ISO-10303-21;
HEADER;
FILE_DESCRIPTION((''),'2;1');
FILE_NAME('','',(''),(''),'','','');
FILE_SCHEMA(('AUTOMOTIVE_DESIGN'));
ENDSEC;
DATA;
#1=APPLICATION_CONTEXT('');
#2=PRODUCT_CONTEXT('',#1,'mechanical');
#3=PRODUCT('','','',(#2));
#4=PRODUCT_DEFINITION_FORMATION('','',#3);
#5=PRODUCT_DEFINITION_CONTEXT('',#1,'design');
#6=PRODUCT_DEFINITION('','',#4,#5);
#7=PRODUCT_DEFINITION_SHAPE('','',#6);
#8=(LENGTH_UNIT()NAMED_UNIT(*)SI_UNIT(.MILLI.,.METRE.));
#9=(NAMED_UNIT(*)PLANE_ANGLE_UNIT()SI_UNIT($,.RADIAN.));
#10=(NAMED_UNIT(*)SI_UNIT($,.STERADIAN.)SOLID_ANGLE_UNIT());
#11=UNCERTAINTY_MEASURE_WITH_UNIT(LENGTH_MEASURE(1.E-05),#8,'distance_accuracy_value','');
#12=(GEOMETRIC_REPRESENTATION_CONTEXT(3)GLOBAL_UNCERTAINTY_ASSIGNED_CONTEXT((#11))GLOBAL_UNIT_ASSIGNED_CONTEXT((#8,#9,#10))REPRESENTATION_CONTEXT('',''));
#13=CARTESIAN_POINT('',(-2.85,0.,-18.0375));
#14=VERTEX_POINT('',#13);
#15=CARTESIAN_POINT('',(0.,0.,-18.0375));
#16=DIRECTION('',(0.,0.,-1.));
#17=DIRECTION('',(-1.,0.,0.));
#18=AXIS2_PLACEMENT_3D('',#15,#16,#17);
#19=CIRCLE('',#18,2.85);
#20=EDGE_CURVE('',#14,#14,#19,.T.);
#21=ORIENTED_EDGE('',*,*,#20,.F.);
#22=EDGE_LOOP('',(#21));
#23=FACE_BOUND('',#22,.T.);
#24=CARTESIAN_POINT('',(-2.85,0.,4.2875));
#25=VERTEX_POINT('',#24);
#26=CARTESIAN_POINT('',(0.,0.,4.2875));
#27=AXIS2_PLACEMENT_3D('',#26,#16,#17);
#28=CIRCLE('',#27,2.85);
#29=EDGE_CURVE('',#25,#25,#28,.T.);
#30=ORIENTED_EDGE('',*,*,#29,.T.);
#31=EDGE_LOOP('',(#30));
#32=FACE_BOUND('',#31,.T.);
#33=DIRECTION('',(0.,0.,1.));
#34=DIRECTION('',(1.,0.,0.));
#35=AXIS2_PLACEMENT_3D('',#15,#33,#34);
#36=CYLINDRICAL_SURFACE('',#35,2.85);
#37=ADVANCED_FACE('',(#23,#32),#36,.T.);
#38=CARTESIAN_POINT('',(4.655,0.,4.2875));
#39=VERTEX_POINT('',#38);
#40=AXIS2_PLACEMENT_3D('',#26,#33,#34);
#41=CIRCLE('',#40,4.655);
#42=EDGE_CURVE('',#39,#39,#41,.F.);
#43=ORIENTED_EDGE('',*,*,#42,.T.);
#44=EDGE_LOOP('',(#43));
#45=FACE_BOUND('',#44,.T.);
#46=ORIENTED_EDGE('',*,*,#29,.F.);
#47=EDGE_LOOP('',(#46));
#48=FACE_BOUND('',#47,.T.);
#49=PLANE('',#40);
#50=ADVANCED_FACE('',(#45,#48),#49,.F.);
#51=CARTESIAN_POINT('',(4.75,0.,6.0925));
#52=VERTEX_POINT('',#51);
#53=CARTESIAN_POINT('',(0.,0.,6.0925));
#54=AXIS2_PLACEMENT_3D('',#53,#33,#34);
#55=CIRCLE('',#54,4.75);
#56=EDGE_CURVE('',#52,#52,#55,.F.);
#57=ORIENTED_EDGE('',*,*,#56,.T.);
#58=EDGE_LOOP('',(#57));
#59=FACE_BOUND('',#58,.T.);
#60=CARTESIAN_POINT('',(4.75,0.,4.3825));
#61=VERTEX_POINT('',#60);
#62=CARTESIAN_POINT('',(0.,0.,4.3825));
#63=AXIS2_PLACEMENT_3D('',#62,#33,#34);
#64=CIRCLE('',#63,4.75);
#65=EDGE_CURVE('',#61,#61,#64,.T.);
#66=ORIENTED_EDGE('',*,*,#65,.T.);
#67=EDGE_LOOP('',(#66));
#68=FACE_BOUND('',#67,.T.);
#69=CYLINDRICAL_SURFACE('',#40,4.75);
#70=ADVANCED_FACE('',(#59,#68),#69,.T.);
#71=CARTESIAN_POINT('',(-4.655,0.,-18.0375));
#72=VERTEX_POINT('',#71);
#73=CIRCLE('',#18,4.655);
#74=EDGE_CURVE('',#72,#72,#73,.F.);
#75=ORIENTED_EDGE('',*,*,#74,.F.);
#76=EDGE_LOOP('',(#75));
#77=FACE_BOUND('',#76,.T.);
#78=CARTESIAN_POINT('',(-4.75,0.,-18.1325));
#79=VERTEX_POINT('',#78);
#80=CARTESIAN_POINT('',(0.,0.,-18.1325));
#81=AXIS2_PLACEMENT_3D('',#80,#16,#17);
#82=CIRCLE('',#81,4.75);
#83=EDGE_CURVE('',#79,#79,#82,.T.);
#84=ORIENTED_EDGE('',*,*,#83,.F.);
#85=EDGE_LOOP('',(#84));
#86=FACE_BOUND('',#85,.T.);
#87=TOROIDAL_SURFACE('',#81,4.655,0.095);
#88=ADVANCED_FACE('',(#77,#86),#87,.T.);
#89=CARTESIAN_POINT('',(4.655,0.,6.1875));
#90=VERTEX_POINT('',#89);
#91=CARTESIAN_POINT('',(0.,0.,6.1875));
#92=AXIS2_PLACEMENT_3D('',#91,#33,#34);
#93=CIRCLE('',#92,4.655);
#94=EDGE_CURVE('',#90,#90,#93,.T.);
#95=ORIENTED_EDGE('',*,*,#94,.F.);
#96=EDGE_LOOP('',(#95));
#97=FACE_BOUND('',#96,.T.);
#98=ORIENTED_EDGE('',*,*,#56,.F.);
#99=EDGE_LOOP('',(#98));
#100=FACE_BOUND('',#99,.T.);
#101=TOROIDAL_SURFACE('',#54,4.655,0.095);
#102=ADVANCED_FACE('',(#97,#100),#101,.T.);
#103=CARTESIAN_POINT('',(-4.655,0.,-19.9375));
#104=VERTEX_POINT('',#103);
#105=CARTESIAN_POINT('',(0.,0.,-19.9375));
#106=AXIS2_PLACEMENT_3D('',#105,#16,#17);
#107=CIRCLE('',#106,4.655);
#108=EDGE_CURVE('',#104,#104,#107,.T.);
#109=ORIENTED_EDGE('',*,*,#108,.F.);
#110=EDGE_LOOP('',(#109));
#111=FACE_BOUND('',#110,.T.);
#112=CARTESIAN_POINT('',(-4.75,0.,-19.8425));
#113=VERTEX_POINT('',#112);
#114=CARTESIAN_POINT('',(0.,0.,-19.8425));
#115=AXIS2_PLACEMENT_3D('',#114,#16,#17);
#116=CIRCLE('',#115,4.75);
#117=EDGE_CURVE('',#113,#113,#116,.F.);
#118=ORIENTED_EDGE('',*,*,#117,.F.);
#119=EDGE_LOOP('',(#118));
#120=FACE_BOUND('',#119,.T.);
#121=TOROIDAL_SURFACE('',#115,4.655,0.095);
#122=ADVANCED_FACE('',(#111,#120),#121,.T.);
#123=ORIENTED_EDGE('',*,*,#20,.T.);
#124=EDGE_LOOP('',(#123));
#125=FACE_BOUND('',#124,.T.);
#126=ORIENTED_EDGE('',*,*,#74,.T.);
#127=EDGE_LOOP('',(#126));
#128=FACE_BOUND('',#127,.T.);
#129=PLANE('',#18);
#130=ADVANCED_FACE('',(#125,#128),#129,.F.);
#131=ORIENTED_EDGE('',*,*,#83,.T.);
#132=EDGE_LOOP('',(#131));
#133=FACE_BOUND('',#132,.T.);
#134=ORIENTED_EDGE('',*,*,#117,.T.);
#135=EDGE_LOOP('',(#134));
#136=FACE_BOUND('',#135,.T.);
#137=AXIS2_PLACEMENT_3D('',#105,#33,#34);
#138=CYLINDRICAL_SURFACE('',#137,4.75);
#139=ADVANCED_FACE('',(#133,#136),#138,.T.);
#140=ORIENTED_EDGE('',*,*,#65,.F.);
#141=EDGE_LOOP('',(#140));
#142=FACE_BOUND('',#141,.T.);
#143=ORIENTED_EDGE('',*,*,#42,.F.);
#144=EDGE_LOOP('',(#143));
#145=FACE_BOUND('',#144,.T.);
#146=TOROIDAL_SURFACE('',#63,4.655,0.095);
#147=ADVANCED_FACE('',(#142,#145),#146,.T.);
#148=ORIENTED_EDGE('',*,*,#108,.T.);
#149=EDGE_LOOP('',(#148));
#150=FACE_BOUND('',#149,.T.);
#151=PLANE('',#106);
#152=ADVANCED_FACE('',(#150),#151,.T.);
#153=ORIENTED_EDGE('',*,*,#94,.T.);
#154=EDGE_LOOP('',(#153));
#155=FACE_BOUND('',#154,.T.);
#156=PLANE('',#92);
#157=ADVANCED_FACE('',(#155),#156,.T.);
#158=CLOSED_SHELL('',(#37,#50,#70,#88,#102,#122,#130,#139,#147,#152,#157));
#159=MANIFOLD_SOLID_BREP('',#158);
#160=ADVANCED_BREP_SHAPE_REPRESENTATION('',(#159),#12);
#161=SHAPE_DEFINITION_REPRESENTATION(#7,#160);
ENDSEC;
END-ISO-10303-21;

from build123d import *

# Parameters (mm, degrees)
SKETCH1_R           = 2.5
BOSS_EXTRUDE1_DEPTH = 1
SKETCH2_R           = 1.5
BOSS_EXTRUDE2_DEPTH = 11.75
BOSS_EXTRUDE3_START = -12.75
SKETCH1_5_R         = 2.5
BOSS_EXTRUDE3_DEPTH = 1
FILLET1_R           = 0.05
SCALE1_SCALE        = 1.9


with BuildPart() as part:
    # Sketch1 → Boss-Extrude1 (new body)
    with BuildSketch(Plane.XY):
        Circle(SKETCH1_R)
    extrude(amount=-BOSS_EXTRUDE1_DEPTH)

    # Sketch2 → Boss-Extrude2 (add)
    with BuildSketch(Plane(origin=(0, 0, -1), x_dir=(-1, 0, 0), z_dir=(0, 0, -1))):
        Circle(SKETCH2_R)
    extrude(amount=BOSS_EXTRUDE2_DEPTH)

    # Sketch1<5> → Boss-Extrude3 (add)
    with BuildSketch(Plane.XY.offset(BOSS_EXTRUDE3_START)):
        Circle(SKETCH1_5_R)
    extrude(amount=-BOSS_EXTRUDE3_DEPTH)

    # Fillet1
    fillet1_edges = [part.edges().sort_by_distance(p)[0] for p in [
        (-2.5, 0, 0),
        (-2.5, 0, -1),
        (-2.5, 0, -12.75),
        (-2.5, 0, -13.75),
    ]]
    fillet(fillet1_edges, radius=FILLET1_R)


with BuildPart() as part_1:
    # Scale1: scaled about (0, 0, -6.875)
    add(part.part.scale(SCALE1_SCALE).moved(Location((0, 0, 6.1875))))


solid = part_1.part
